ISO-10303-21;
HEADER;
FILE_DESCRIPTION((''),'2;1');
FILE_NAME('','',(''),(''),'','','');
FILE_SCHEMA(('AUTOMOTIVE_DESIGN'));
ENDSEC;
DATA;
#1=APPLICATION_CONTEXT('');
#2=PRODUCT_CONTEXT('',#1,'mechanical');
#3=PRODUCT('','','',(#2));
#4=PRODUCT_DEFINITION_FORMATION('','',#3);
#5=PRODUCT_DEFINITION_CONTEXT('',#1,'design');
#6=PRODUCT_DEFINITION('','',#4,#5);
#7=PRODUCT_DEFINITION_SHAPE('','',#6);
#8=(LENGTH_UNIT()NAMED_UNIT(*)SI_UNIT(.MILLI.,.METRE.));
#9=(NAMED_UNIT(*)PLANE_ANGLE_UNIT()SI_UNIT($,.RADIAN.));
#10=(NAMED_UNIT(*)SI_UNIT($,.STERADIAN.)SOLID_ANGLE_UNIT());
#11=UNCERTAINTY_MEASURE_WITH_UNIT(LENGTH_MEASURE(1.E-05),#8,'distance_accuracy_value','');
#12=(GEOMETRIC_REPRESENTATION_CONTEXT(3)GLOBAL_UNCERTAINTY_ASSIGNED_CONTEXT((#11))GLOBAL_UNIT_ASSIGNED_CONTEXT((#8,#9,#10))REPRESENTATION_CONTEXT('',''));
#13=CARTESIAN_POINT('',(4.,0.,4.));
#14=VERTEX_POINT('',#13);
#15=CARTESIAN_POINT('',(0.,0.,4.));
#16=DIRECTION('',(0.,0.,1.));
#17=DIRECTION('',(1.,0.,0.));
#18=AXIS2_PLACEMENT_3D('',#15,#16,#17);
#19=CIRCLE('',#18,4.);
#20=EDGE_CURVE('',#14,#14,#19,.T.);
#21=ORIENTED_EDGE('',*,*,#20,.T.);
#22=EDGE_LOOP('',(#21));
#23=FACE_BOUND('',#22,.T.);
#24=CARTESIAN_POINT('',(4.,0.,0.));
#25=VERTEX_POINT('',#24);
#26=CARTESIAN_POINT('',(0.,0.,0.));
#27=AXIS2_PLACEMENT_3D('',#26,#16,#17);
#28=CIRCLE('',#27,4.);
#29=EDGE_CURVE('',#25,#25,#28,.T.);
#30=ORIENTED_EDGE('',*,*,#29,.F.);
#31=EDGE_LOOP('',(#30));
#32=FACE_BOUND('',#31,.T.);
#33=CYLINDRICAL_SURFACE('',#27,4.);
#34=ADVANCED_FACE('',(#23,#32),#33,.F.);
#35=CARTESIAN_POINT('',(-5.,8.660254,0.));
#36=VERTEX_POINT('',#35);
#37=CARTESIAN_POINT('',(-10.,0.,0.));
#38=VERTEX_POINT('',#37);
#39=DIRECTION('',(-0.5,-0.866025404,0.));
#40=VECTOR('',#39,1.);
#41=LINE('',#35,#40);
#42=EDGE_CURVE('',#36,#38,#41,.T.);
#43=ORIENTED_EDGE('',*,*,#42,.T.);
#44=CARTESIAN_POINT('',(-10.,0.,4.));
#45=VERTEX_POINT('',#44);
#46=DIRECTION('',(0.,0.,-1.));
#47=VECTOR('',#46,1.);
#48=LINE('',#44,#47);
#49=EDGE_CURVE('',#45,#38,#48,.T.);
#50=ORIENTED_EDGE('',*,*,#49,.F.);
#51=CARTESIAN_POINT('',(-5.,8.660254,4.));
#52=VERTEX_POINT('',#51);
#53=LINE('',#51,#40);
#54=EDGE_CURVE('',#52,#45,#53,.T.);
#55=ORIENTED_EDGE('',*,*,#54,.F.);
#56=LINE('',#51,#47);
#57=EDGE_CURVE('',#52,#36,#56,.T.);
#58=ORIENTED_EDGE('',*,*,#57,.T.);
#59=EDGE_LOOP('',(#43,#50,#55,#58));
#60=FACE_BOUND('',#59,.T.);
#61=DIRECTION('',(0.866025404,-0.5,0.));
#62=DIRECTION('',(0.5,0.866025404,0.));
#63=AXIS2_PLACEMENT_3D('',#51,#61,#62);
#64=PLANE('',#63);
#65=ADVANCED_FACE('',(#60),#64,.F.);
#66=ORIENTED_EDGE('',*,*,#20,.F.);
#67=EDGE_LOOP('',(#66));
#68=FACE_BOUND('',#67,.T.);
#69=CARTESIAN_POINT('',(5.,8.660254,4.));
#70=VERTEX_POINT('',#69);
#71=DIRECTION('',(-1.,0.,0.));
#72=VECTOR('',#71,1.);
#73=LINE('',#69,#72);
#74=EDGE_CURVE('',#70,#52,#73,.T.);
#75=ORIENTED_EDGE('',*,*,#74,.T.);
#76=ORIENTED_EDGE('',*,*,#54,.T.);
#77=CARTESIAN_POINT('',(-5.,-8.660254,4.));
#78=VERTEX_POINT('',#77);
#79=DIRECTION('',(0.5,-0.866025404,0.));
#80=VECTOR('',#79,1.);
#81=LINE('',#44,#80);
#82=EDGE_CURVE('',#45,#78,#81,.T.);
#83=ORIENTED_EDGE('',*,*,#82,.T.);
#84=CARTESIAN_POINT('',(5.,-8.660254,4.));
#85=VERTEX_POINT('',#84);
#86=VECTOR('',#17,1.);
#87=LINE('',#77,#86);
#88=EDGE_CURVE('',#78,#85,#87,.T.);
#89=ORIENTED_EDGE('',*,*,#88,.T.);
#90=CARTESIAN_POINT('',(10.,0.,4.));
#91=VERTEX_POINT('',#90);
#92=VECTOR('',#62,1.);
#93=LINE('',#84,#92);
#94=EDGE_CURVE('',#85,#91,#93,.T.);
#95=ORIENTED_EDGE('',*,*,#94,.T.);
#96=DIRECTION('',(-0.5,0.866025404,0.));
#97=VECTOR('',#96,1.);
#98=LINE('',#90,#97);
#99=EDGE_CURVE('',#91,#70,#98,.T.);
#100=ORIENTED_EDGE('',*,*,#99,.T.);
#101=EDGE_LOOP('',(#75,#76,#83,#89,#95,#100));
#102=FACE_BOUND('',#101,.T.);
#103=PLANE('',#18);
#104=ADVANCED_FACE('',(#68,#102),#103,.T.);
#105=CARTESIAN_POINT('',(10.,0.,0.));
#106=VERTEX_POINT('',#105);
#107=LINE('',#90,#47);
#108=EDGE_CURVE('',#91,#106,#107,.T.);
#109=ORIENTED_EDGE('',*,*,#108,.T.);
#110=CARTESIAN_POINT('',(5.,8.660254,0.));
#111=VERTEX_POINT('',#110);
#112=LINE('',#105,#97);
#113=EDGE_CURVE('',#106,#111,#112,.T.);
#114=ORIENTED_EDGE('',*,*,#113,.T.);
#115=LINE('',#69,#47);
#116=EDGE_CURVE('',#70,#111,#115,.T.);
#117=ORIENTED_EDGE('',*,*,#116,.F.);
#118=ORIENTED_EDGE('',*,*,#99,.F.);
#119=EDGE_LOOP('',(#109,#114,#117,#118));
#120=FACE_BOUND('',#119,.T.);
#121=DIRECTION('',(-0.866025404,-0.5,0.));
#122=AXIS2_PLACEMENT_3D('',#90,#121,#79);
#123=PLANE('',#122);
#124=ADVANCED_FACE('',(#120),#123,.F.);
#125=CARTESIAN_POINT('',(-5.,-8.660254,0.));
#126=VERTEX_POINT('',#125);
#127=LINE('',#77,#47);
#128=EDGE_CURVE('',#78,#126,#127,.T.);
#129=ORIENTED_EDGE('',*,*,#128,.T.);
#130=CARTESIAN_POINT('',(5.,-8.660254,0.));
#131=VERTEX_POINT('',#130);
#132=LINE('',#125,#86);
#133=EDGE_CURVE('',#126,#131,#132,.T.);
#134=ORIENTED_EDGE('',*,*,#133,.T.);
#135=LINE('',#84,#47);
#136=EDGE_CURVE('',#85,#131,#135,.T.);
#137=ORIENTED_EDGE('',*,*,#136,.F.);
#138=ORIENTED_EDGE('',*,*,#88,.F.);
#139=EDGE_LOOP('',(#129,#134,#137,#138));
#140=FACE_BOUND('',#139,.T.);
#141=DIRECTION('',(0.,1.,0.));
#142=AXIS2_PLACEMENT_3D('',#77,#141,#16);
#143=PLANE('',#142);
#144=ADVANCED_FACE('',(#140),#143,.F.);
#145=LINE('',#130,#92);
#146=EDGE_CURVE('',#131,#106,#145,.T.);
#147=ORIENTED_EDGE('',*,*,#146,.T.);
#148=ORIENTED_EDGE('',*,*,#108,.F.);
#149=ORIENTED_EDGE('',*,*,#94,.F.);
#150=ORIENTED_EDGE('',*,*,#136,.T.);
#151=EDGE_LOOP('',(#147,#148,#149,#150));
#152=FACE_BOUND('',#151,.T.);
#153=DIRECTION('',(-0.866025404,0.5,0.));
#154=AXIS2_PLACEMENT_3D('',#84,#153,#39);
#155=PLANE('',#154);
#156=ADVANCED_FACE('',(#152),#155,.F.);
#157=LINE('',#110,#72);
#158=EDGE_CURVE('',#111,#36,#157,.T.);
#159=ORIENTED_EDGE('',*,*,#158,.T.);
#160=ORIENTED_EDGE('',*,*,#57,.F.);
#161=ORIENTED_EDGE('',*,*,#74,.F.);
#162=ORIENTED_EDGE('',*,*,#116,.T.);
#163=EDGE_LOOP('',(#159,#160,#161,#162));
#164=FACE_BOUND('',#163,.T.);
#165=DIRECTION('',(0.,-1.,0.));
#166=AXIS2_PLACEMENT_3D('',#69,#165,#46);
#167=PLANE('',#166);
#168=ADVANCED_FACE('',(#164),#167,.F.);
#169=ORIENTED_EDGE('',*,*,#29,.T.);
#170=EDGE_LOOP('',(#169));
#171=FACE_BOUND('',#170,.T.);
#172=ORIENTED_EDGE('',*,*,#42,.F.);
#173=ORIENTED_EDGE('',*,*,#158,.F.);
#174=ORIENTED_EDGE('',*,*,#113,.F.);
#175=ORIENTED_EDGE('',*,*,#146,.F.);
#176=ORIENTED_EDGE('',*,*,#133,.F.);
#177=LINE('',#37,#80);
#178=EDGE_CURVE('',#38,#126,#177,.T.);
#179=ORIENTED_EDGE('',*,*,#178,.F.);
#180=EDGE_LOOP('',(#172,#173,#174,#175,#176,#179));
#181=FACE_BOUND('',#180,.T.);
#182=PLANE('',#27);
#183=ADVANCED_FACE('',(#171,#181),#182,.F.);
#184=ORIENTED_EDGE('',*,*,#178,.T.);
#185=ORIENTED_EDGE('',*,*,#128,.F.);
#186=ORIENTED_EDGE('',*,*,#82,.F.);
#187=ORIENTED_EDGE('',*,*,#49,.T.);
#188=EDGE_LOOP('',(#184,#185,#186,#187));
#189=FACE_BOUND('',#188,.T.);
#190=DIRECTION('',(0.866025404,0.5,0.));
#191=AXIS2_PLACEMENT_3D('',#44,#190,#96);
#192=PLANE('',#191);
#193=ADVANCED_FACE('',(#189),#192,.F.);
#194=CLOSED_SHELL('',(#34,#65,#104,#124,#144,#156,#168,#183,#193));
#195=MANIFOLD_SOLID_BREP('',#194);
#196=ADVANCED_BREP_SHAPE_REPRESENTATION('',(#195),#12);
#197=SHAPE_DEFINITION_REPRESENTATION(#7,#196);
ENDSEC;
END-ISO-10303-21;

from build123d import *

# Parameters (mm, degrees)
BOSS_EXTRUDE1_DEPTH = 4
SKETCH2_R           = 4
CUT_EXTRUDE1_DEPTH  = 5


with BuildPart() as part:
    # Sketch1 → Boss-Extrude1 (new body)
    with BuildSketch(Plane.XY):
        Polygon((-10, 0), (-5, -8.660254038), (5, -8.660254038), (10, 0), (5, 8.660254038), (-5, 8.660254038), align=None)
    extrude(amount=BOSS_EXTRUDE1_DEPTH)

    # Sketch2 → Cut-Extrude1 (cut, through all)
    with BuildSketch(Plane.XY.offset(4)):
        Circle(SKETCH2_R)
    extrude(amount=-CUT_EXTRUDE1_DEPTH, mode=Mode.SUBTRACT)


solid = part.part
